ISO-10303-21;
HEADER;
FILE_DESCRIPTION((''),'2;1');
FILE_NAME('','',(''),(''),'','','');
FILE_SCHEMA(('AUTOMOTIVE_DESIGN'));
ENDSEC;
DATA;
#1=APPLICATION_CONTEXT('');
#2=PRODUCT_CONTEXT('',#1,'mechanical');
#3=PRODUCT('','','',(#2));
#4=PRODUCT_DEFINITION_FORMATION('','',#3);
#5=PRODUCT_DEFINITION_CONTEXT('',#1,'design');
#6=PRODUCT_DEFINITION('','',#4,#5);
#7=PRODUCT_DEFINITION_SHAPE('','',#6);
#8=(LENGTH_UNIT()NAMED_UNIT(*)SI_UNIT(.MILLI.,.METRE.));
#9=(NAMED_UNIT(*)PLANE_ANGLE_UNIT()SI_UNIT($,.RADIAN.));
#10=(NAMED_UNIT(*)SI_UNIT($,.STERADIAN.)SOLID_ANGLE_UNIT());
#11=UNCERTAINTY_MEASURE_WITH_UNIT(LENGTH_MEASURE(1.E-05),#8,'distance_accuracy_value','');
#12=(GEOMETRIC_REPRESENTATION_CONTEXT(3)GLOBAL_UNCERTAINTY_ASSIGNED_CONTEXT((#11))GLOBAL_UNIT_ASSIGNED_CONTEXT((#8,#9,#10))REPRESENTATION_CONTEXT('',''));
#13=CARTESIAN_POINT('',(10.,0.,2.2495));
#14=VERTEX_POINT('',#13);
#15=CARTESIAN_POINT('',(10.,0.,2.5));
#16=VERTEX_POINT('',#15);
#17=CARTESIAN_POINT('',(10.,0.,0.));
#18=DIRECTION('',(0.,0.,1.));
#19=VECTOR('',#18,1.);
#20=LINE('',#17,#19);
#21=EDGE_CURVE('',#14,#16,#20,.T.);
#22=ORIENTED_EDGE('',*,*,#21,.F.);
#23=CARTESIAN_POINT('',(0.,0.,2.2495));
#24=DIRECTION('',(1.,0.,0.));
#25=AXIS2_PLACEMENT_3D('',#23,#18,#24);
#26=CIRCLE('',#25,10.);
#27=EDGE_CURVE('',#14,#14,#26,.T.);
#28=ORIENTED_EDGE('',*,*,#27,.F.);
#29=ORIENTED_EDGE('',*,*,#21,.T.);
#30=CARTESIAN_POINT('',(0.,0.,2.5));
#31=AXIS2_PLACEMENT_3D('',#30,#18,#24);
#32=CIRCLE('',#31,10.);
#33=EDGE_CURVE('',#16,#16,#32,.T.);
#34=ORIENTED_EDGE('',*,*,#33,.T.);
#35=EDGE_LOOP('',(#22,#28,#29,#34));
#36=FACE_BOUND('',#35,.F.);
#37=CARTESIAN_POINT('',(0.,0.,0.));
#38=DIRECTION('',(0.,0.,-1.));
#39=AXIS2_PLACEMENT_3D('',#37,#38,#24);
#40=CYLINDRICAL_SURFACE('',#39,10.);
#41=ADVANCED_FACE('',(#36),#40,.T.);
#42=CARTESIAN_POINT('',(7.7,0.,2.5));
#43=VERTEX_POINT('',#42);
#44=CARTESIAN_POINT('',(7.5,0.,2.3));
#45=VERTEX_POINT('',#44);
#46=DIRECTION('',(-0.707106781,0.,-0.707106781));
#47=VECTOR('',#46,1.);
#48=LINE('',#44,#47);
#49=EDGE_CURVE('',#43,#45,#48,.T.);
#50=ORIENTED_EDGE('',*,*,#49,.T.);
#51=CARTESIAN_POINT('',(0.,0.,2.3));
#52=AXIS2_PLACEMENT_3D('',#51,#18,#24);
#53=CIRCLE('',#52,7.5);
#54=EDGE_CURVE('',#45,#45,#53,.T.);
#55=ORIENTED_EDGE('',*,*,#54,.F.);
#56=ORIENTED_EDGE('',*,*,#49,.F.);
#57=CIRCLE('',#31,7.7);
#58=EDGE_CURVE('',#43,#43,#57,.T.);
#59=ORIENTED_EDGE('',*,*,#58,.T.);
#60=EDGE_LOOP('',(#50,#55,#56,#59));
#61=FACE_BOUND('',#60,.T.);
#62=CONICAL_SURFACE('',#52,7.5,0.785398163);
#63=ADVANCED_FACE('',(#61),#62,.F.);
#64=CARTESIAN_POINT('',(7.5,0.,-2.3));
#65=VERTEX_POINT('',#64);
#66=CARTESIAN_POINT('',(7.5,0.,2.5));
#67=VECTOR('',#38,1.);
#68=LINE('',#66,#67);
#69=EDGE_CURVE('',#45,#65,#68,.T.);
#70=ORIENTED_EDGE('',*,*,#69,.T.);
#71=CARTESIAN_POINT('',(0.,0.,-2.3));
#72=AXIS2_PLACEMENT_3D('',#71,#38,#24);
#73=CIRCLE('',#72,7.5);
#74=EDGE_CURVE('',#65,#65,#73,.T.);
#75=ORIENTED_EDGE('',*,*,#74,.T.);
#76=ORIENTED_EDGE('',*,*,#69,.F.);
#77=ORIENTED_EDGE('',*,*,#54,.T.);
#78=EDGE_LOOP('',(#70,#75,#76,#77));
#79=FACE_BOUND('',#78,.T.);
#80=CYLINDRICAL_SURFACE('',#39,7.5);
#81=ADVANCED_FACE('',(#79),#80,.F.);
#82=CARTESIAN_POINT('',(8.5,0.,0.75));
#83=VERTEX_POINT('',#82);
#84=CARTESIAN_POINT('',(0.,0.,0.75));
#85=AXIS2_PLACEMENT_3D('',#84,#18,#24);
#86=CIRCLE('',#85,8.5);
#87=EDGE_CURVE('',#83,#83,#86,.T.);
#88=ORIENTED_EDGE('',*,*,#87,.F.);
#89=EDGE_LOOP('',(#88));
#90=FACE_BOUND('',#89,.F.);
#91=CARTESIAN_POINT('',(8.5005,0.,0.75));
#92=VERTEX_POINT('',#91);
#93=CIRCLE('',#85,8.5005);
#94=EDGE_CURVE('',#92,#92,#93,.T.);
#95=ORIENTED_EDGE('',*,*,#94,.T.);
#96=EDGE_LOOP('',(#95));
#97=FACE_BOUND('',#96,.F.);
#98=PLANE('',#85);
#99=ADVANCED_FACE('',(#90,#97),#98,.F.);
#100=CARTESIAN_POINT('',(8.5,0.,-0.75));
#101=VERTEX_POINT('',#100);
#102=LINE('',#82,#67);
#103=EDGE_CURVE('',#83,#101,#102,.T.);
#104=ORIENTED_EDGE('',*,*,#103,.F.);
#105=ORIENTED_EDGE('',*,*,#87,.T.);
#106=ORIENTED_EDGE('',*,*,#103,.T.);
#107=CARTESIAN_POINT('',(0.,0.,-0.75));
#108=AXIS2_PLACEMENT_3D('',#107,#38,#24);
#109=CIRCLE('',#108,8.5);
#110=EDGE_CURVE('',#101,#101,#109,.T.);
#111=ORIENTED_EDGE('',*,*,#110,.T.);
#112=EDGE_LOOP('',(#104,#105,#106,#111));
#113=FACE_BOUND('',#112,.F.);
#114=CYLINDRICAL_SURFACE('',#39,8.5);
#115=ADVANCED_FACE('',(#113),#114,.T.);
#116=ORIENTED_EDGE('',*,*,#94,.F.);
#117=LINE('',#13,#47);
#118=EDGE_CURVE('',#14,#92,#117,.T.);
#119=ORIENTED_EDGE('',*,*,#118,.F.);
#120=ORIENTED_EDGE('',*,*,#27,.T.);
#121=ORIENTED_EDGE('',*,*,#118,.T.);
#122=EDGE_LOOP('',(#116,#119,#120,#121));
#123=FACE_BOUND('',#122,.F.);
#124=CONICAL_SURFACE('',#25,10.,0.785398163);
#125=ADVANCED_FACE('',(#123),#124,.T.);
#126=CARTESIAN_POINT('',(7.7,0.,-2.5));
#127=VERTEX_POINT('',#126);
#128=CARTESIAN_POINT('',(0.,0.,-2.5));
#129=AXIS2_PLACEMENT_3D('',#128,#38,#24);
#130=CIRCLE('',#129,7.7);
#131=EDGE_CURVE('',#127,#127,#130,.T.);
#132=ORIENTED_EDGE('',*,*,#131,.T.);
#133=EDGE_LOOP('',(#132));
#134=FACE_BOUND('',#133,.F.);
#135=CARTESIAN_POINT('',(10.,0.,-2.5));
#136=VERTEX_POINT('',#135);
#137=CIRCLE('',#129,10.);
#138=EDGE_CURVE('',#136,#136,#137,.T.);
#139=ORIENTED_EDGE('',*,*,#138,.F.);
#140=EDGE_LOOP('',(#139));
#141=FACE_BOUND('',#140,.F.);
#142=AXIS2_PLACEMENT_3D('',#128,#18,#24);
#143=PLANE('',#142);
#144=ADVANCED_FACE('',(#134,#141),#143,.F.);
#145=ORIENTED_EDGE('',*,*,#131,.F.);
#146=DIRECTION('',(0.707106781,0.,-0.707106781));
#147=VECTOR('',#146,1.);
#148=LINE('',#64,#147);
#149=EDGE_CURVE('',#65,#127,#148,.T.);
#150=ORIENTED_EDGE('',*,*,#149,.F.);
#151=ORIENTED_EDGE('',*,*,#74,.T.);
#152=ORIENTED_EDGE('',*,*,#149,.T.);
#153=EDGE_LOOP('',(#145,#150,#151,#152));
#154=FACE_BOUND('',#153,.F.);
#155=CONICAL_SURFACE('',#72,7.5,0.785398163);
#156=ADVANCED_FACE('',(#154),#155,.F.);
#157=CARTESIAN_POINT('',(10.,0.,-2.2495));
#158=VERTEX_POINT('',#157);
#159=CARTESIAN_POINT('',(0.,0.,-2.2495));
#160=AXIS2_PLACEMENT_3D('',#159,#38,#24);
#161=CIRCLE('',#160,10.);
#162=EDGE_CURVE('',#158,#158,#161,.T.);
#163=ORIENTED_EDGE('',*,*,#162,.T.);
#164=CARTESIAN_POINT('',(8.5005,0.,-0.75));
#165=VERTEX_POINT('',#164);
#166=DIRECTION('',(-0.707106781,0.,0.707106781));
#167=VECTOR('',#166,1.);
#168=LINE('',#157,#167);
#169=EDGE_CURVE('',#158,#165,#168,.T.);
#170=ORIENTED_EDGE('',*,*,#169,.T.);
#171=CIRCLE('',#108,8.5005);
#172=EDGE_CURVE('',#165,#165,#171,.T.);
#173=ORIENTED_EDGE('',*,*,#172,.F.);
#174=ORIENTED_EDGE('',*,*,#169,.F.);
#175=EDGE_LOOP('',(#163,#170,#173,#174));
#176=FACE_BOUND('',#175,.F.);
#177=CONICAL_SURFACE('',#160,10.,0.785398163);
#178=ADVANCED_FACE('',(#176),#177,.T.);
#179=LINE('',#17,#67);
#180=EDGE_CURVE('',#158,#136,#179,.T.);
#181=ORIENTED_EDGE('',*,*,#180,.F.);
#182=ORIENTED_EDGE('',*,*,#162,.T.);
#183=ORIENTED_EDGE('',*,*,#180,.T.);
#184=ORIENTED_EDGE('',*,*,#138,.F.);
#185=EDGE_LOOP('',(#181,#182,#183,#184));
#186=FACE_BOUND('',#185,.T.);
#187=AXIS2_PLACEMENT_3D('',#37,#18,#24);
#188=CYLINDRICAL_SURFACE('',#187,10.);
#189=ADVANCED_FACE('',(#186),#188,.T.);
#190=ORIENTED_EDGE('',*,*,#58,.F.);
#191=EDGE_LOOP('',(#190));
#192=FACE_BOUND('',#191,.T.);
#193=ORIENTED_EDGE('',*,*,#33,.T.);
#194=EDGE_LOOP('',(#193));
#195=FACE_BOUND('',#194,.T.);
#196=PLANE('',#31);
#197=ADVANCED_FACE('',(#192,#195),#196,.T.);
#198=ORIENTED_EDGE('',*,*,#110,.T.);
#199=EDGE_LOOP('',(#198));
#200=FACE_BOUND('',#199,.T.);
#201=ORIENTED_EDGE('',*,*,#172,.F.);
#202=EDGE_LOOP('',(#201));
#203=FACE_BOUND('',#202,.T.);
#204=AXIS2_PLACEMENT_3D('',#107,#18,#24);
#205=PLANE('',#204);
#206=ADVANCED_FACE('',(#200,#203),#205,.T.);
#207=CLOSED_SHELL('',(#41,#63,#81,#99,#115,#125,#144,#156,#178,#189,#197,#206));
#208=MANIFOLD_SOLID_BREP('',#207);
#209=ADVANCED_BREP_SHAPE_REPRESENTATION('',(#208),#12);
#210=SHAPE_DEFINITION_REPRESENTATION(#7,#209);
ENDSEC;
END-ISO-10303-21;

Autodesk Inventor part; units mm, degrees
ref_plane "YZ Plane" through (0, 0, 0) normal (1, 0, 0) x (0, 1, 0)
ref_plane "XZ Plane" through (0, 0, 0) normal (0, 1, 0) x (-1, 0, 0)
ref_plane "XY Plane" through (0, 0, 0) normal (0, 0, 1) x (1, 0, 0)
sketch "Skizze1" plane through (0, 0, 0) normal (0, 0, 1) x (1, 0, 0)
  line L0 (-14, 0) -> (14, 0) projected
  line L1 (0, -14) -> (0, 14) projected
  circle A0 centre (0, 0) radius 7.5
  circle A1 centre (0, 0) radius 10
  dimension "d0" = 15
  dimension "d1" = 20
extrude "Extrusion1" add sketch "Skizze1" along normal mid plane 5 contours A0 L1 A1 L0 | L0 A1 L1 A0 | A0 L0 A1 L1 | L1 A1 L0 A0
sketch "Skizze2" plane through (0, 0, 0) normal (0, 0, 1) x (1, 0, 0)
  circle A0 centre (0, 0) radius 7.5 projected
  circle A1 centre (0, 0) radius 10 projected
  circle A2 centre (0, 0) radius 7.5 projected
  circle A3 centre (0, 0) radius 10 projected
  line L0 (-14, 0) -> (14, 0) projected
  line L1 (0, -14) -> (0, 14) projected
  circle A4 centre (0, 0) radius 8.5
  dimension "d4" = 17
extrude "Extrusion2" cut sketch "Skizze2" along normal mid plane 1.5 contours A4 L1 A1 L0 | L0 A1 L1 A4 | A4 L0 A1 L1 | L1 A1 L0 A4
chamfer "Fase1" distance 1.5 angle 45 2 edges at (-10, 0, 0.75) (-10, 0, -0.75)
chamfer "Fase2" distance 0.2 angle 45 1 edges at (-7.5, 0, 2.5)
chamfer "Fase3" distance 0.2 angle 45 1 edges at (-7.5, 0, -2.5)
properties part number "Seilrolle" material "ABS-Kunststoff"
